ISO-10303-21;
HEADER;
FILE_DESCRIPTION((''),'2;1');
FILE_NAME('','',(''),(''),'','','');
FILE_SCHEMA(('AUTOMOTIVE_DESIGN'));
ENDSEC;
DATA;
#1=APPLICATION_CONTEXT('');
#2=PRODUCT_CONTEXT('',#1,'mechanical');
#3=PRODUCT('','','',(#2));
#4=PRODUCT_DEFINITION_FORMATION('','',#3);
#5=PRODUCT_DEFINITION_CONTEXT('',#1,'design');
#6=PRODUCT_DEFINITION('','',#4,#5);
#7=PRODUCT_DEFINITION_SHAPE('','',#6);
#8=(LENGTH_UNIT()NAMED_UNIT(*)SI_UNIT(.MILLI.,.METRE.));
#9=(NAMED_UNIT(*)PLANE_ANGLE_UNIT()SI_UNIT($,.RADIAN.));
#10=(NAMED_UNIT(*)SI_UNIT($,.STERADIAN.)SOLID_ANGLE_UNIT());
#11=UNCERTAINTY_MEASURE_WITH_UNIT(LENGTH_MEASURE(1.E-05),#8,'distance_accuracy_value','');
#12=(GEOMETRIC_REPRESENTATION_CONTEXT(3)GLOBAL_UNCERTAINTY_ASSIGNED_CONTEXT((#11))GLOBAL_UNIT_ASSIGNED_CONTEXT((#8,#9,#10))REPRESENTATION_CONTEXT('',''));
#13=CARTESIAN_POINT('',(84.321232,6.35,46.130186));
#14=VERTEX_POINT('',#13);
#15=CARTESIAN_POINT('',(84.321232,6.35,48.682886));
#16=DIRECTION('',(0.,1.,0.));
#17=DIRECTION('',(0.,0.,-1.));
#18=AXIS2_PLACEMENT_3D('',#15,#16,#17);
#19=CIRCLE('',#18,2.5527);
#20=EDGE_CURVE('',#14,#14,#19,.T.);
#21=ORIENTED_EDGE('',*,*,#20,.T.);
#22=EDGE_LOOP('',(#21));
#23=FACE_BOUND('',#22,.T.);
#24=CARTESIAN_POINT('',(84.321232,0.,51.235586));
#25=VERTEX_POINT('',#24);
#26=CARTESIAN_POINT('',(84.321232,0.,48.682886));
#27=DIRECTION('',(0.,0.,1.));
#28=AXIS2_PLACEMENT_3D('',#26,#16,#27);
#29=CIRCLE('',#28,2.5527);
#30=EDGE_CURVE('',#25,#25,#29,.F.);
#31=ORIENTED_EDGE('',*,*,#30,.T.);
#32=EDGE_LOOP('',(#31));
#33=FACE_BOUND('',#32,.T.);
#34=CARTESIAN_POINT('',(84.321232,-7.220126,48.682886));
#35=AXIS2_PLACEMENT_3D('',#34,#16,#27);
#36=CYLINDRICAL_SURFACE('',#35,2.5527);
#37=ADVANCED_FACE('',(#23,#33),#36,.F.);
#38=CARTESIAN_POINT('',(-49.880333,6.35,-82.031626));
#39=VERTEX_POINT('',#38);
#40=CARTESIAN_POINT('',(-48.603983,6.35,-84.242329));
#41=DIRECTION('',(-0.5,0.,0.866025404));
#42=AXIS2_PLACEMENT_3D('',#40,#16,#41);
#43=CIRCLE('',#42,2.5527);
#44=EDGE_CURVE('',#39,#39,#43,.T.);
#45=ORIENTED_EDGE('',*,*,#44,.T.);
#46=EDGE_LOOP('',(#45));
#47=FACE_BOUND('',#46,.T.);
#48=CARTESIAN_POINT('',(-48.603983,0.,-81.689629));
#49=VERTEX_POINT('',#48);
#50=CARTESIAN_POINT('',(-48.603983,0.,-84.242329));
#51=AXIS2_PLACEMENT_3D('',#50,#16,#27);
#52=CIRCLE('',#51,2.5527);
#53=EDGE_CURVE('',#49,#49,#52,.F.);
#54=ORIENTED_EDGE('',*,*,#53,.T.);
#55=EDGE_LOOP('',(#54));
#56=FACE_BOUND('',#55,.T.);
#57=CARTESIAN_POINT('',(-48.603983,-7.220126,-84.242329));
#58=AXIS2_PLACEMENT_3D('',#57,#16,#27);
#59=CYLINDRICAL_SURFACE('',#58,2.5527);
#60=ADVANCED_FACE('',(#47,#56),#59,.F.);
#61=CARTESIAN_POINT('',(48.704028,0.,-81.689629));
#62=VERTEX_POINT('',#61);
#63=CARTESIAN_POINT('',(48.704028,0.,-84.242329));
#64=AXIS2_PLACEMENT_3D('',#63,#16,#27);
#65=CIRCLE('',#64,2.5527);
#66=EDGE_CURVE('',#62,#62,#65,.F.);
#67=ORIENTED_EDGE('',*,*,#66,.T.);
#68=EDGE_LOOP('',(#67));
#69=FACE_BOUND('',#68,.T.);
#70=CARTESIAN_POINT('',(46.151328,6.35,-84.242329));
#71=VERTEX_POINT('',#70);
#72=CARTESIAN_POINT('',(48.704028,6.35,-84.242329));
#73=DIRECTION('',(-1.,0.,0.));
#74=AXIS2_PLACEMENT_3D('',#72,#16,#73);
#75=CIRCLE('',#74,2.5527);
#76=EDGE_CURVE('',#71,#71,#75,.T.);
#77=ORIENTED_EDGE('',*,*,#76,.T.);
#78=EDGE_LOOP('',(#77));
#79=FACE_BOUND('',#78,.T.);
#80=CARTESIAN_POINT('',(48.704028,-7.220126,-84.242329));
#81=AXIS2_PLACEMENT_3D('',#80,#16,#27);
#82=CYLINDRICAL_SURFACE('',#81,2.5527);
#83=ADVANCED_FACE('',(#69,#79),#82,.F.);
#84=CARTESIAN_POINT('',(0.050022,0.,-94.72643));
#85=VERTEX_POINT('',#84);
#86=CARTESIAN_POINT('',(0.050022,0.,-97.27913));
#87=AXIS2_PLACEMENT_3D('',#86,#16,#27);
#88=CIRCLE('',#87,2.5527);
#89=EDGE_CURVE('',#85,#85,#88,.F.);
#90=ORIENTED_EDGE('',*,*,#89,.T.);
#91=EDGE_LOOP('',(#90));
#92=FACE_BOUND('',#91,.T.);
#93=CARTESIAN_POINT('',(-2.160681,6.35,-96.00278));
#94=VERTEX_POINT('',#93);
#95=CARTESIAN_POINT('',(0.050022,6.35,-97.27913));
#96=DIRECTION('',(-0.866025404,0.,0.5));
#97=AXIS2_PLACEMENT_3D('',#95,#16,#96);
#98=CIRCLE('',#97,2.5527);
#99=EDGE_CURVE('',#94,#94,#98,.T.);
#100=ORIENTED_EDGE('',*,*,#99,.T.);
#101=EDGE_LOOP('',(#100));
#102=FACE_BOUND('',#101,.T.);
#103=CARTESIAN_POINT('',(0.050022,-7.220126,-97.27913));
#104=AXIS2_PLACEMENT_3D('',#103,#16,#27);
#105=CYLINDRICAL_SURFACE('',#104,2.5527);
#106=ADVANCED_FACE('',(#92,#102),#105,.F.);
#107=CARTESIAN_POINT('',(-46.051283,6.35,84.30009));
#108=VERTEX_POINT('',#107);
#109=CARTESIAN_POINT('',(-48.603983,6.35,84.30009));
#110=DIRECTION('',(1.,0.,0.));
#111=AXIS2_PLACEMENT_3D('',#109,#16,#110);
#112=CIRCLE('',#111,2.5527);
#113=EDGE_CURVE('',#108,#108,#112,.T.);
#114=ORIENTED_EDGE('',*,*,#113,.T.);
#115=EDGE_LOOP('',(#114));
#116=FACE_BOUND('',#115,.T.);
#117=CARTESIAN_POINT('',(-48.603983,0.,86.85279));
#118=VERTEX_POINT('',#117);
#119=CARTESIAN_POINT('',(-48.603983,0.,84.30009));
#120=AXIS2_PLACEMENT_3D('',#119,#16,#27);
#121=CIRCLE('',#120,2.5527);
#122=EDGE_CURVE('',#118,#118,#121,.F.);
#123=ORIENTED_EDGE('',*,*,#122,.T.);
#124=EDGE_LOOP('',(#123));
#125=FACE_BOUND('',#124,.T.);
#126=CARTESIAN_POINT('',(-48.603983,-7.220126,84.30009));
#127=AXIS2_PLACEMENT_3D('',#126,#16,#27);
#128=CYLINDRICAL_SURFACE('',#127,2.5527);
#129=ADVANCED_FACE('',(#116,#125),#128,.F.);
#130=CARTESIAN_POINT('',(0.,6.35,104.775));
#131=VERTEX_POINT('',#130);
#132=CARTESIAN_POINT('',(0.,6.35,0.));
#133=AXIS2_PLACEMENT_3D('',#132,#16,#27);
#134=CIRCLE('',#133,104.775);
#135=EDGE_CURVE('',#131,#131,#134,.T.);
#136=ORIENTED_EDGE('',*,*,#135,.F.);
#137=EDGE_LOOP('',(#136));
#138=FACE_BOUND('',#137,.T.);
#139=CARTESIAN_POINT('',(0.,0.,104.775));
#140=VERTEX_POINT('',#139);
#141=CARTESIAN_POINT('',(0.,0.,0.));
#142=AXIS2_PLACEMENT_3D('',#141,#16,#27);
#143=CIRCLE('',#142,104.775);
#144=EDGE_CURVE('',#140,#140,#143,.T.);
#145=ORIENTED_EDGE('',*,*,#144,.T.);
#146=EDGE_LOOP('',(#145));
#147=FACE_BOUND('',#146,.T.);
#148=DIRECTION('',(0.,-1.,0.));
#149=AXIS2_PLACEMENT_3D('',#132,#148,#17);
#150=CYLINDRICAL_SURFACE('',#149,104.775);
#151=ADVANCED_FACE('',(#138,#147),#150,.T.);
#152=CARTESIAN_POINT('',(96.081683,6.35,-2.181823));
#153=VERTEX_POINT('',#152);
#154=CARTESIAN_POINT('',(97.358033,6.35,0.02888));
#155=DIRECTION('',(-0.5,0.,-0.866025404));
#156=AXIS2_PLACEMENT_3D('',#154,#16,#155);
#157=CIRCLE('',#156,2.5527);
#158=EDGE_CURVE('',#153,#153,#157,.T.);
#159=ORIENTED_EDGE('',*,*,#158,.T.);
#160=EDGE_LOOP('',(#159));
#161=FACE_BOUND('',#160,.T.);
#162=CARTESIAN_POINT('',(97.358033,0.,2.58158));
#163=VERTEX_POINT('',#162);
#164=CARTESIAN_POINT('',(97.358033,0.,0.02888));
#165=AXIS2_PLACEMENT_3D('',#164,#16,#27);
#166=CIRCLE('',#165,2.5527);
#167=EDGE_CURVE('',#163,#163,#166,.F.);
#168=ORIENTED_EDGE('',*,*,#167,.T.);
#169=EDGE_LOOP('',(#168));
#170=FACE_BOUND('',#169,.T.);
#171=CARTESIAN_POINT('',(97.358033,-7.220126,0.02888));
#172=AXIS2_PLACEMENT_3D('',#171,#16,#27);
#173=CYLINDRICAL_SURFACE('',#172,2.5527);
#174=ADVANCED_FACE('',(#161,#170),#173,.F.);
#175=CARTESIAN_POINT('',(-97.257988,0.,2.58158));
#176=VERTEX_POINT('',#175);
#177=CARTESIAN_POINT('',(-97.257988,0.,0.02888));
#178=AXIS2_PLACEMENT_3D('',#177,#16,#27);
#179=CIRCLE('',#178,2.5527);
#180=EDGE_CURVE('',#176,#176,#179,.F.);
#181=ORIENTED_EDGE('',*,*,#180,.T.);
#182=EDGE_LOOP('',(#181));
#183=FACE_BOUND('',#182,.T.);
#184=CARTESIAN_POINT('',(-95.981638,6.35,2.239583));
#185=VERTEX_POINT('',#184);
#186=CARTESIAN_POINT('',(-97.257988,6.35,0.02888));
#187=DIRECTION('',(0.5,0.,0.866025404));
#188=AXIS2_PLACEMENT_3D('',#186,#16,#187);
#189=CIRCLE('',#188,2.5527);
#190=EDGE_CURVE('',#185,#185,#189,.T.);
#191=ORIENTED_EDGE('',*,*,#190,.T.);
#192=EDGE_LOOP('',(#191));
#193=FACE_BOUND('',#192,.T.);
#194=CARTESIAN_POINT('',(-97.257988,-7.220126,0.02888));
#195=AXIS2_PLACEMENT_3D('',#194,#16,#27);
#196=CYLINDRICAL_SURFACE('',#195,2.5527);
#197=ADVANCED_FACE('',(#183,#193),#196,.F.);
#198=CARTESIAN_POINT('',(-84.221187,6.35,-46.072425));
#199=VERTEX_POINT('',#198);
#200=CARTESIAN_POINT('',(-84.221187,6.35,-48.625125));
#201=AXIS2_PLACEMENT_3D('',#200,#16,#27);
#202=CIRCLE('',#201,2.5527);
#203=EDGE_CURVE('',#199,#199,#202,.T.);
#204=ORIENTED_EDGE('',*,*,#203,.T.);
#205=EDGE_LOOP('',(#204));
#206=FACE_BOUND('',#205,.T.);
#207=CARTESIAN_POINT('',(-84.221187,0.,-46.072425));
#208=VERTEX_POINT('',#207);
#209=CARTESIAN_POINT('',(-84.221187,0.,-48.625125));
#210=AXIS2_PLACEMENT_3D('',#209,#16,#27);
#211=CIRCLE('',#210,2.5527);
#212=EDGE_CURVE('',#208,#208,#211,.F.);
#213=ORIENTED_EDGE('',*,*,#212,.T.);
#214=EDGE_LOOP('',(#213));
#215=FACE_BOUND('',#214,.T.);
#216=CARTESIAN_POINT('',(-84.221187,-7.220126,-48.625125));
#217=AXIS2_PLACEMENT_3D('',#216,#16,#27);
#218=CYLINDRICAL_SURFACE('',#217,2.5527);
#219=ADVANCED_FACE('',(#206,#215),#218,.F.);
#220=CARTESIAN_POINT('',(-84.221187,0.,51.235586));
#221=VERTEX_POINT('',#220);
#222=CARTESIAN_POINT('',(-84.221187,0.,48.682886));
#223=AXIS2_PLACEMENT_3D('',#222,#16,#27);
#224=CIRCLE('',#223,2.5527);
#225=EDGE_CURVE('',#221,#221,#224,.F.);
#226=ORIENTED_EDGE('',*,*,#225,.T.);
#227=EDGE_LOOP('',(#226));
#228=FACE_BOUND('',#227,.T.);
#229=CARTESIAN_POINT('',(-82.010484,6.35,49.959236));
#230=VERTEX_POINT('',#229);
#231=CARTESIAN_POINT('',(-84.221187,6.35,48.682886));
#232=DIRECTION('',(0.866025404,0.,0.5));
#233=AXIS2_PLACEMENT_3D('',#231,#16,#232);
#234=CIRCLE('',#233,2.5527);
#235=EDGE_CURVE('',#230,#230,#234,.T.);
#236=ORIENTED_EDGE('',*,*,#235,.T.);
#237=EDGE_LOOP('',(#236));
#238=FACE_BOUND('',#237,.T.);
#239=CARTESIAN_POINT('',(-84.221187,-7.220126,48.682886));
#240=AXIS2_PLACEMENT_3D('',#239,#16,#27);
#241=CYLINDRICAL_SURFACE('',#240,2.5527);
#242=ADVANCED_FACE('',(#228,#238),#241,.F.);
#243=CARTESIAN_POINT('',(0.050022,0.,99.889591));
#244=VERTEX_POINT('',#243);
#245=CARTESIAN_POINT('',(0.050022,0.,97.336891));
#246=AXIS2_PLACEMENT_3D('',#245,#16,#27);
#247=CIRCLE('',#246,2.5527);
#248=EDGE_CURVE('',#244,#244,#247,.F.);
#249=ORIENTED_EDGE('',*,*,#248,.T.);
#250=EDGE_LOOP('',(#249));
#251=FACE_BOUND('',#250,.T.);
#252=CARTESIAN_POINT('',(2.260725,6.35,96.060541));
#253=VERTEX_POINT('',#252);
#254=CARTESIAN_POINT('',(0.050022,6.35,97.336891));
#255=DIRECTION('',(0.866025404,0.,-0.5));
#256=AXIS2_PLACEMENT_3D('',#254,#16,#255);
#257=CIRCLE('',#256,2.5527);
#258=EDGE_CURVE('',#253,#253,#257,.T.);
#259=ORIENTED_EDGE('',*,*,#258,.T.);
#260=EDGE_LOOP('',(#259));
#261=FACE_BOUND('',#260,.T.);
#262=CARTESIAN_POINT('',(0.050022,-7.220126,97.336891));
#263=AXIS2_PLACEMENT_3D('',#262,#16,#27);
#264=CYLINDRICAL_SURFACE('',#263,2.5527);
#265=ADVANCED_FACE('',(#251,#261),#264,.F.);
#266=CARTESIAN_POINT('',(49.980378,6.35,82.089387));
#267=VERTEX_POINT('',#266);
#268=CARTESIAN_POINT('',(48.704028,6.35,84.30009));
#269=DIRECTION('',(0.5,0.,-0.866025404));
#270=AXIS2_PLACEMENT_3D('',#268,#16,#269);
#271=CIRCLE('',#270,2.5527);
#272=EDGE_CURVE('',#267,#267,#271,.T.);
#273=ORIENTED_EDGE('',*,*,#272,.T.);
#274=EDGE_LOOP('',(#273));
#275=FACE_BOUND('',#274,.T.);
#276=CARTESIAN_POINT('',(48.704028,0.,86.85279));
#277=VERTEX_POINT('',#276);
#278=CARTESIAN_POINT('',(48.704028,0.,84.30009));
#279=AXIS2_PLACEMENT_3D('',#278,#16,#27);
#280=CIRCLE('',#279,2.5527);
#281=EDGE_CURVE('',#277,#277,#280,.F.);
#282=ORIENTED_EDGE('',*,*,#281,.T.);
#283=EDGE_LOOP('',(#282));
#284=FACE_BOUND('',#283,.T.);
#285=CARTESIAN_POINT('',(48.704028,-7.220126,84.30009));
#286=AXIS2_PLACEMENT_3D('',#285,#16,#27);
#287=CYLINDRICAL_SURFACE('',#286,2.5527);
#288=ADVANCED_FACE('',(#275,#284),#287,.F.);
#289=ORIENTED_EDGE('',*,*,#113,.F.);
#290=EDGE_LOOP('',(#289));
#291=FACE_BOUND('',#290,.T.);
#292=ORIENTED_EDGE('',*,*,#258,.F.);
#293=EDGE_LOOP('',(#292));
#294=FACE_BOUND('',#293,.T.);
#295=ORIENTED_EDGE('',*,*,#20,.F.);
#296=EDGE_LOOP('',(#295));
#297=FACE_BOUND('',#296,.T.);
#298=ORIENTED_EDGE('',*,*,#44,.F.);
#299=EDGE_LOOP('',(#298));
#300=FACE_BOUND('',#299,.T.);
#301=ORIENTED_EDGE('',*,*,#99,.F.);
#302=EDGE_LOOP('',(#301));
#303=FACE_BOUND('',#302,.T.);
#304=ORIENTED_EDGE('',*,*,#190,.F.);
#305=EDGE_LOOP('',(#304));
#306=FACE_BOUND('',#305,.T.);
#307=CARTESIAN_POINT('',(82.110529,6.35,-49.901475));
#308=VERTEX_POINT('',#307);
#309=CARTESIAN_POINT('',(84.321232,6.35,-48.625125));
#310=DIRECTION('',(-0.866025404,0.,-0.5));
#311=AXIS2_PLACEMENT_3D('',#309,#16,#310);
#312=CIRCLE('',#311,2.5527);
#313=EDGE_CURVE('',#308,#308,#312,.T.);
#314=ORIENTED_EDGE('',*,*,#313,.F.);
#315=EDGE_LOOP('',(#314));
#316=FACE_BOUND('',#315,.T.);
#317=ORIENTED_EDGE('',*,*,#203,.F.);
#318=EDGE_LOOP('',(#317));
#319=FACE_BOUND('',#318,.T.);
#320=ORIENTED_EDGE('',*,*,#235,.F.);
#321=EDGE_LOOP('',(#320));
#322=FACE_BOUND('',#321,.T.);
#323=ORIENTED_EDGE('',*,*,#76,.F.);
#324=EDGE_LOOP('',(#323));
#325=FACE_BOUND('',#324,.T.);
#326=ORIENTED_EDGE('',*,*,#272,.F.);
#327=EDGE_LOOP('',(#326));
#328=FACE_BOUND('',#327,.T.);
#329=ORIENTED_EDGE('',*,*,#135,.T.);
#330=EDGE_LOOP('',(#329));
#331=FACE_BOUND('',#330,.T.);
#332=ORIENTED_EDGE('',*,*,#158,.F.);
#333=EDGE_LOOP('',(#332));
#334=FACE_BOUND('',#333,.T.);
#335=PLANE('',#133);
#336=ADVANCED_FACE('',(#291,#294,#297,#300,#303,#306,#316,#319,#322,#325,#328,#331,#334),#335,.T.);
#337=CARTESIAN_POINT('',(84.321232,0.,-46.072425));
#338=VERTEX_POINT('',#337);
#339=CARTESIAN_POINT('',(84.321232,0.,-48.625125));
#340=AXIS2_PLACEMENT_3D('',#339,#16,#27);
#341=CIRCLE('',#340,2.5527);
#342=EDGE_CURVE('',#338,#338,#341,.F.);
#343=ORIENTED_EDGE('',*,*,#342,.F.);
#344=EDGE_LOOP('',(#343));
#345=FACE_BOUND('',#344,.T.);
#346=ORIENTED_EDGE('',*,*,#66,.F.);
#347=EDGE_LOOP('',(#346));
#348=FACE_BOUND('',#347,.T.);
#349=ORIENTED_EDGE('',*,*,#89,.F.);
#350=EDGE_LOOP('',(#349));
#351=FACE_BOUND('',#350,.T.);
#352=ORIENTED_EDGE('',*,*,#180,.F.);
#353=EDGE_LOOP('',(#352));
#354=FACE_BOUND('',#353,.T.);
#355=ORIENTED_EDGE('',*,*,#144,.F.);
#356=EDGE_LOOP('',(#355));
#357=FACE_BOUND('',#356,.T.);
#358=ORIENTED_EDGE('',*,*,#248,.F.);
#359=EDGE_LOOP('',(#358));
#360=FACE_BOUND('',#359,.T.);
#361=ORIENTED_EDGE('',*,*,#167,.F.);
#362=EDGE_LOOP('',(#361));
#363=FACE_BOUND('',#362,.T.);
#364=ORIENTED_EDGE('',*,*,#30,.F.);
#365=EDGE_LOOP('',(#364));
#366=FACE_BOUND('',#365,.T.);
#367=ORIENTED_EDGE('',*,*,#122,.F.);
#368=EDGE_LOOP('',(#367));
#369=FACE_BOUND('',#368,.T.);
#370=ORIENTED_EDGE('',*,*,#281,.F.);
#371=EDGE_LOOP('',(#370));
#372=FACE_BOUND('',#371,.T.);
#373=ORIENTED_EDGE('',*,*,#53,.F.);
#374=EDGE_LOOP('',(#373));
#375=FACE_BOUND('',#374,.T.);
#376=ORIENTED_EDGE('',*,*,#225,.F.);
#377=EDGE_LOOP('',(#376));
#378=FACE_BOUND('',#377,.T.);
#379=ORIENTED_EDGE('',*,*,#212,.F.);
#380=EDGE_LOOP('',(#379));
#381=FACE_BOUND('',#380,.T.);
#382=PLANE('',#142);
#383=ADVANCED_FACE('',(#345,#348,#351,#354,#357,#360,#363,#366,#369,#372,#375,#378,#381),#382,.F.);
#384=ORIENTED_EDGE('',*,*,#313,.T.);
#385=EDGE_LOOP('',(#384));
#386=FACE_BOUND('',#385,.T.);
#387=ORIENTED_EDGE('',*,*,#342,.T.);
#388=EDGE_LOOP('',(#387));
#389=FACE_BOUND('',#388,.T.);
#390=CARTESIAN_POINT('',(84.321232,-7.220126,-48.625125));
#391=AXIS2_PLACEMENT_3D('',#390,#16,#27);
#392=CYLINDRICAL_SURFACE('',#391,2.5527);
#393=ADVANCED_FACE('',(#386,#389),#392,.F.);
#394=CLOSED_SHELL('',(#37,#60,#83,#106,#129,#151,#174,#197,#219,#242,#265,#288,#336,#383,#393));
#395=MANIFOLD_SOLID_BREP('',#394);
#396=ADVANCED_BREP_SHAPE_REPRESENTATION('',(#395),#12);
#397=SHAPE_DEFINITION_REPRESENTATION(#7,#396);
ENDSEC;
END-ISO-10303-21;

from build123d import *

# Parameters (mm, degrees)
SKETCH2_R          = 104.775
FACE_PLATE_DEPTH   = 6.35
SKETCH3_R          = 2.5527
CUT_EXTRUDE1_DEPTH = 6.35
CIRPATTERN1_COUNT  = 12


with BuildPart() as part:
    # Sketch2 → Face Plate (new body)
    with BuildSketch(Plane(origin=(0, 0, 0), x_dir=(1, 0, 0), z_dir=(0, 1, 0))):
        with Locations(Location((0, 0, 0), (0, 0, 270))):
            Circle(SKETCH2_R)
    extrude(amount=FACE_PLATE_DEPTH)

    # Sketch3 → Cut-Extrude1 (cut)
    with BuildSketch(Plane(origin=(0, 6.35, 0), x_dir=(1, 0, 0), z_dir=(0, 1, 0))):
        with Locations(Location((-84.221187023, 48.625125, 0), (0, 0, 270))):
            Circle(SKETCH3_R)
    cut_extrude1 = extrude(amount=-CUT_EXTRUDE1_DEPTH, mode=Mode.SUBTRACT)

    # CirPattern1: Cut-Extrude1 ×12 about axis
    cirpattern1_axis = Axis((0.050022276, 0, 0.028880374), (0, 1, 0))
    for i in range(1, CIRPATTERN1_COUNT):
        add(cut_extrude1.rotate(cirpattern1_axis, i * 360 / CIRPATTERN1_COUNT), mode=Mode.SUBTRACT)


solid = part.part
